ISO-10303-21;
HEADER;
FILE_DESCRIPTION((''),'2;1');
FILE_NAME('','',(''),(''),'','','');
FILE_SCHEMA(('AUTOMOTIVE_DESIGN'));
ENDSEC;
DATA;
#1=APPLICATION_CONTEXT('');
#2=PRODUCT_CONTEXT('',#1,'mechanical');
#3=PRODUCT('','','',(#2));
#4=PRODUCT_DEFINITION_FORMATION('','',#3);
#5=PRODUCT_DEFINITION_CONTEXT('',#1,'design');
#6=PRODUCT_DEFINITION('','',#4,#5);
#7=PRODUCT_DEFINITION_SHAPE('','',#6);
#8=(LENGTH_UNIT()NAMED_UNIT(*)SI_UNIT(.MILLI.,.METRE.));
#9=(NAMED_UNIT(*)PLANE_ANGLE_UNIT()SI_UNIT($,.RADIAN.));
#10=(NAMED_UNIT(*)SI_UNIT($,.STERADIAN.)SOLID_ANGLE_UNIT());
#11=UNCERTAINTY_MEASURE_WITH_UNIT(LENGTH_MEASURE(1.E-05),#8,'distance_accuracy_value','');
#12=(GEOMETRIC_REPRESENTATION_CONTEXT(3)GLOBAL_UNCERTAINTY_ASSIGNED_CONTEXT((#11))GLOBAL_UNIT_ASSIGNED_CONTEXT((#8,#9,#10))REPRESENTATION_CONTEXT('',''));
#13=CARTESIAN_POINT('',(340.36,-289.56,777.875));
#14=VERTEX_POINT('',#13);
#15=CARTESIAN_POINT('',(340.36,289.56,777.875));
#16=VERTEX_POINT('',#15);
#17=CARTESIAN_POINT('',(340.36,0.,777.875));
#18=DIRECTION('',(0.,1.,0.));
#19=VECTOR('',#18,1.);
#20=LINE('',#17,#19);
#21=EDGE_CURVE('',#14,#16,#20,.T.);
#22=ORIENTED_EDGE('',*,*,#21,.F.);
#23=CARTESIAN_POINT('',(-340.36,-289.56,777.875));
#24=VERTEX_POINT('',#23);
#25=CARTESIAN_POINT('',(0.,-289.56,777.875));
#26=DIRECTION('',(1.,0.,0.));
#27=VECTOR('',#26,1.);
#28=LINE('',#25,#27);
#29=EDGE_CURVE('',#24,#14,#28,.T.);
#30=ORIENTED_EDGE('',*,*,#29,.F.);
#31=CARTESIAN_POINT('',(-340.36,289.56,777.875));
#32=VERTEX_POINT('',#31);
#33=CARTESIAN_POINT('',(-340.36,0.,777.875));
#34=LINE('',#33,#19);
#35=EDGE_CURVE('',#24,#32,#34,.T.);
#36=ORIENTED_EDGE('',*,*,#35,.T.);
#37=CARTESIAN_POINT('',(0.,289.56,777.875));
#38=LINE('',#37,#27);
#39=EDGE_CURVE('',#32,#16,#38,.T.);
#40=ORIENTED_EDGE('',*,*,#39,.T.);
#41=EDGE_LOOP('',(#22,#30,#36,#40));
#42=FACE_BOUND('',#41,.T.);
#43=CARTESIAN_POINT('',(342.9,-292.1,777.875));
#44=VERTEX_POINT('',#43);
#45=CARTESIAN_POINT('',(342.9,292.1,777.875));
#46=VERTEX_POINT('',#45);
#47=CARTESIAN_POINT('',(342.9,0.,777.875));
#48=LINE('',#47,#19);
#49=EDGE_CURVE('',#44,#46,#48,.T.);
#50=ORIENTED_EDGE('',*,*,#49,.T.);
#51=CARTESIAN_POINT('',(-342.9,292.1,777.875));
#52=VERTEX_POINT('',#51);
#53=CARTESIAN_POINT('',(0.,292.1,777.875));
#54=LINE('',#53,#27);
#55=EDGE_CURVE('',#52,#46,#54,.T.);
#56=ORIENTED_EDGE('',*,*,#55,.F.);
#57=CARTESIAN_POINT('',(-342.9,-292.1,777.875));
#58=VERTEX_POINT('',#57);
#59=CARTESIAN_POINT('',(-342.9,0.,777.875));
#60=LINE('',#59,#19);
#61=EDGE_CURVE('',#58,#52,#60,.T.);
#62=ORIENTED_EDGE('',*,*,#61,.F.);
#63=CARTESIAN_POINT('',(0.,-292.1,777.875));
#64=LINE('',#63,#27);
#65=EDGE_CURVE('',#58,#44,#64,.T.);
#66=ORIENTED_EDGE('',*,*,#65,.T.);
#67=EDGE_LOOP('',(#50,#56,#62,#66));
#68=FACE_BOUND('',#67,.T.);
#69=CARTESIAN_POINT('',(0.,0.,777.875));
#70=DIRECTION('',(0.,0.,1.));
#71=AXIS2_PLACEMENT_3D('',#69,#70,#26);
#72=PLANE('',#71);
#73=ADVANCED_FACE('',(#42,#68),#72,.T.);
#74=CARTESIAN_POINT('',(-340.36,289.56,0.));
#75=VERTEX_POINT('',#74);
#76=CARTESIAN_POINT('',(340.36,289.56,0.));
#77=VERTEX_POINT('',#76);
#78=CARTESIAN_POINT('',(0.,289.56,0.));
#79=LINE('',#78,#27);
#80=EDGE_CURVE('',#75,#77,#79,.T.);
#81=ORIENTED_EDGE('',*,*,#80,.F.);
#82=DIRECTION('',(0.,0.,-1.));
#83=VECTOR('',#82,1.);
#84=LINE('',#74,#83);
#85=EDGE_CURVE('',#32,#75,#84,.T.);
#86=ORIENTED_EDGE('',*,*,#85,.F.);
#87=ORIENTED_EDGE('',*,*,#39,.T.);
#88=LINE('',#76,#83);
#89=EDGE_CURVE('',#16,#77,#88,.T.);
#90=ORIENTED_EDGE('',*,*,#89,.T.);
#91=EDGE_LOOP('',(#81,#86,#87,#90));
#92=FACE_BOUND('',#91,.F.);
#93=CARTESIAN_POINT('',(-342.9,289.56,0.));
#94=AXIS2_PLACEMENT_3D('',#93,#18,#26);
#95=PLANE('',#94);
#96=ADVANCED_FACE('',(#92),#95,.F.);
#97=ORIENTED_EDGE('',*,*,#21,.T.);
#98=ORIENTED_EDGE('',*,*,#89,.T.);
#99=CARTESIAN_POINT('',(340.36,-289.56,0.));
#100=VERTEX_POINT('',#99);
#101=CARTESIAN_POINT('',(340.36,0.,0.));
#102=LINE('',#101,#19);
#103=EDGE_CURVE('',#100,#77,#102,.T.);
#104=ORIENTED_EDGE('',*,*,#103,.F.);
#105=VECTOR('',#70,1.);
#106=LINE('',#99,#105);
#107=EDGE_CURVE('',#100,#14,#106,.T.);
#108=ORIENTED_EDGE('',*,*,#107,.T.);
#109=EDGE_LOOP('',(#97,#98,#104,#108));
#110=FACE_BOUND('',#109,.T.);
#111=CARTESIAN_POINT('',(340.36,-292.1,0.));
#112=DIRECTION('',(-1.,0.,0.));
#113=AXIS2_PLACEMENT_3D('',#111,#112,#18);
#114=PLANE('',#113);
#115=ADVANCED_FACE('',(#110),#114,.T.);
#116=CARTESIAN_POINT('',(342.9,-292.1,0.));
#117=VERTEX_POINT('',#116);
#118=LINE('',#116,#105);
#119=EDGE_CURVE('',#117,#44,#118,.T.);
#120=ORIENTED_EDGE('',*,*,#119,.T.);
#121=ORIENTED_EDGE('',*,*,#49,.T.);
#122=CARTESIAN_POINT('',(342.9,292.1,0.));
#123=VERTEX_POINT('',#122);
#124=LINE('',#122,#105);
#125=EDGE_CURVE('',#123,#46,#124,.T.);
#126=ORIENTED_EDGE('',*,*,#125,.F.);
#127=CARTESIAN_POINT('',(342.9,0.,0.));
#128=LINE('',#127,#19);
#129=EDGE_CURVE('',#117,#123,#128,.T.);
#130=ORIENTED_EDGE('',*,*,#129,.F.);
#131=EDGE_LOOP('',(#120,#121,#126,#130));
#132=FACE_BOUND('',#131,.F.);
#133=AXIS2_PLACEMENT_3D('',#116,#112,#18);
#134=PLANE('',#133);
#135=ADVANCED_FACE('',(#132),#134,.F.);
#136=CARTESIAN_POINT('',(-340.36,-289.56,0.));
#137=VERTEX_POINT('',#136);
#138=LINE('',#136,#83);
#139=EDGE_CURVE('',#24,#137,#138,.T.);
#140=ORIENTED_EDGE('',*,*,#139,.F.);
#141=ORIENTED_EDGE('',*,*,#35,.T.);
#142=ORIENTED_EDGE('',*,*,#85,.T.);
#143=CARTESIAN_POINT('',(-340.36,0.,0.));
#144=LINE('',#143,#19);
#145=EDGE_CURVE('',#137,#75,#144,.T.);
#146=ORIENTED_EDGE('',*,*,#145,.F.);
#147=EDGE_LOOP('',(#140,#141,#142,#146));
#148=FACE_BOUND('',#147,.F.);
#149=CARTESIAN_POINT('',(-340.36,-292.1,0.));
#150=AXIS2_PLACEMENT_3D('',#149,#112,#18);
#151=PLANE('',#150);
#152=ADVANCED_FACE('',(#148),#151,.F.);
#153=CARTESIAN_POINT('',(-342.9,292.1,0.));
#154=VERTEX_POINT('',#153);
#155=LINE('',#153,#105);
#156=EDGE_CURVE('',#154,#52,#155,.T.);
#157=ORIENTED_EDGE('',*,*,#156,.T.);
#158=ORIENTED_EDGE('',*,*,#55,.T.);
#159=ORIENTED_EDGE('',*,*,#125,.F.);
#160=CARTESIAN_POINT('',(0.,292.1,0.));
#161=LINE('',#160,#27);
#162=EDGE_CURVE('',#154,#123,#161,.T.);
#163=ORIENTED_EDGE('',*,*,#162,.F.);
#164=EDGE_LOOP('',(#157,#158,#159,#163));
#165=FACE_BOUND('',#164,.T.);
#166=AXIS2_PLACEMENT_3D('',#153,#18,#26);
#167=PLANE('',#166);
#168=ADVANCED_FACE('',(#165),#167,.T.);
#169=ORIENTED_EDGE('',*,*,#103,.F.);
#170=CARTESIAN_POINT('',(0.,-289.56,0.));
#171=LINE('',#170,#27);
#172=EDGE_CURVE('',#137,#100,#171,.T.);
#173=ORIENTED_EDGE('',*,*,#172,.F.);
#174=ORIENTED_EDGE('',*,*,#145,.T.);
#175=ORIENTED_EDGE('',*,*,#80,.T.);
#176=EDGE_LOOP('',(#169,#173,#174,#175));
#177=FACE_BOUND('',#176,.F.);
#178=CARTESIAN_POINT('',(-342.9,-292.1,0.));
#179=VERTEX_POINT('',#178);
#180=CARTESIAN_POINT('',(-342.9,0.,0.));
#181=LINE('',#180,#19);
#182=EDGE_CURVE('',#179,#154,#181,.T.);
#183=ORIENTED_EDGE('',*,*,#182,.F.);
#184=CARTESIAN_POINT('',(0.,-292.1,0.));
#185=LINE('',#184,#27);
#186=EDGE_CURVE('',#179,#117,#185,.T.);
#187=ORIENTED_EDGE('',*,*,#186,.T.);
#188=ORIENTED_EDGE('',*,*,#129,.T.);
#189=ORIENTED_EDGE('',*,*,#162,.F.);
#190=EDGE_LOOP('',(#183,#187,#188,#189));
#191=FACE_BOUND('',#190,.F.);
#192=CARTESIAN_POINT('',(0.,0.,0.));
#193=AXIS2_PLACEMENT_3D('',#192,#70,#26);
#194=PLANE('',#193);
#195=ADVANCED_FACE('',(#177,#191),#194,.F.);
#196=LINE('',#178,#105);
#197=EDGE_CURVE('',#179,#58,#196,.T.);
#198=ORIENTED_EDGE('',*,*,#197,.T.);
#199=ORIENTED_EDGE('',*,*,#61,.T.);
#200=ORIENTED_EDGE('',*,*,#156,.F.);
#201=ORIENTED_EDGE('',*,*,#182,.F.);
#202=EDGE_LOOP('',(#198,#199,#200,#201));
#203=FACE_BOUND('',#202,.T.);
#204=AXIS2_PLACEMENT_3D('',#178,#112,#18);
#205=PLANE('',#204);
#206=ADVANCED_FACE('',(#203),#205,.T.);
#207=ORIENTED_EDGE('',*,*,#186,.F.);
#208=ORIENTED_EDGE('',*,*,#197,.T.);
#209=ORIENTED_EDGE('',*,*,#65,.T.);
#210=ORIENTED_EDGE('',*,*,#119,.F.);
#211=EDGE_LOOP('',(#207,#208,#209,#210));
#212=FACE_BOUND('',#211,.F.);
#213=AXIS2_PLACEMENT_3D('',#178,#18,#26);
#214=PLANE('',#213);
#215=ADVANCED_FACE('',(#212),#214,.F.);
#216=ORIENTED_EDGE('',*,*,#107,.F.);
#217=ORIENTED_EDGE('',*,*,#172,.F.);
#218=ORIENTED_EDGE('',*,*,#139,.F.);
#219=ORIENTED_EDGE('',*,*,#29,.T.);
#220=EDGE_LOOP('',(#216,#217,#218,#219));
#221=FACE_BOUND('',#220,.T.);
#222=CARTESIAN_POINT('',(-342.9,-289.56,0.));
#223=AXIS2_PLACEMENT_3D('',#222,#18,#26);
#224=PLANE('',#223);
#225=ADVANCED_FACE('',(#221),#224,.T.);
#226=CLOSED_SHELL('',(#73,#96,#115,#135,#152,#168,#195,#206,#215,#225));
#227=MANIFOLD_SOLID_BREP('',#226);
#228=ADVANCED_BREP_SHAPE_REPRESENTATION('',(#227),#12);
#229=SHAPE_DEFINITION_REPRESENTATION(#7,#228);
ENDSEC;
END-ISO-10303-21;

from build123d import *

# Parameters (mm, degrees)
F0_W     = 685.8
F0_H     = 584.2
F1_DEPTH = 777.875
F2_T     = -2.54


with BuildPart() as f1:
    # F0 (on Top) → F1 (new body)
    with BuildSketch(Plane.XY):
        Rectangle(F0_W, F0_H)
    extrude(amount=F1_DEPTH)

    # F2
    f2_openings = [f1.faces().sort_by_distance(p)[0] for p in [
        (0, 0, 0),
        (0, 0, 777.875),
    ]]
    offset(amount=F2_T, openings=f2_openings)


solid = f1.part
